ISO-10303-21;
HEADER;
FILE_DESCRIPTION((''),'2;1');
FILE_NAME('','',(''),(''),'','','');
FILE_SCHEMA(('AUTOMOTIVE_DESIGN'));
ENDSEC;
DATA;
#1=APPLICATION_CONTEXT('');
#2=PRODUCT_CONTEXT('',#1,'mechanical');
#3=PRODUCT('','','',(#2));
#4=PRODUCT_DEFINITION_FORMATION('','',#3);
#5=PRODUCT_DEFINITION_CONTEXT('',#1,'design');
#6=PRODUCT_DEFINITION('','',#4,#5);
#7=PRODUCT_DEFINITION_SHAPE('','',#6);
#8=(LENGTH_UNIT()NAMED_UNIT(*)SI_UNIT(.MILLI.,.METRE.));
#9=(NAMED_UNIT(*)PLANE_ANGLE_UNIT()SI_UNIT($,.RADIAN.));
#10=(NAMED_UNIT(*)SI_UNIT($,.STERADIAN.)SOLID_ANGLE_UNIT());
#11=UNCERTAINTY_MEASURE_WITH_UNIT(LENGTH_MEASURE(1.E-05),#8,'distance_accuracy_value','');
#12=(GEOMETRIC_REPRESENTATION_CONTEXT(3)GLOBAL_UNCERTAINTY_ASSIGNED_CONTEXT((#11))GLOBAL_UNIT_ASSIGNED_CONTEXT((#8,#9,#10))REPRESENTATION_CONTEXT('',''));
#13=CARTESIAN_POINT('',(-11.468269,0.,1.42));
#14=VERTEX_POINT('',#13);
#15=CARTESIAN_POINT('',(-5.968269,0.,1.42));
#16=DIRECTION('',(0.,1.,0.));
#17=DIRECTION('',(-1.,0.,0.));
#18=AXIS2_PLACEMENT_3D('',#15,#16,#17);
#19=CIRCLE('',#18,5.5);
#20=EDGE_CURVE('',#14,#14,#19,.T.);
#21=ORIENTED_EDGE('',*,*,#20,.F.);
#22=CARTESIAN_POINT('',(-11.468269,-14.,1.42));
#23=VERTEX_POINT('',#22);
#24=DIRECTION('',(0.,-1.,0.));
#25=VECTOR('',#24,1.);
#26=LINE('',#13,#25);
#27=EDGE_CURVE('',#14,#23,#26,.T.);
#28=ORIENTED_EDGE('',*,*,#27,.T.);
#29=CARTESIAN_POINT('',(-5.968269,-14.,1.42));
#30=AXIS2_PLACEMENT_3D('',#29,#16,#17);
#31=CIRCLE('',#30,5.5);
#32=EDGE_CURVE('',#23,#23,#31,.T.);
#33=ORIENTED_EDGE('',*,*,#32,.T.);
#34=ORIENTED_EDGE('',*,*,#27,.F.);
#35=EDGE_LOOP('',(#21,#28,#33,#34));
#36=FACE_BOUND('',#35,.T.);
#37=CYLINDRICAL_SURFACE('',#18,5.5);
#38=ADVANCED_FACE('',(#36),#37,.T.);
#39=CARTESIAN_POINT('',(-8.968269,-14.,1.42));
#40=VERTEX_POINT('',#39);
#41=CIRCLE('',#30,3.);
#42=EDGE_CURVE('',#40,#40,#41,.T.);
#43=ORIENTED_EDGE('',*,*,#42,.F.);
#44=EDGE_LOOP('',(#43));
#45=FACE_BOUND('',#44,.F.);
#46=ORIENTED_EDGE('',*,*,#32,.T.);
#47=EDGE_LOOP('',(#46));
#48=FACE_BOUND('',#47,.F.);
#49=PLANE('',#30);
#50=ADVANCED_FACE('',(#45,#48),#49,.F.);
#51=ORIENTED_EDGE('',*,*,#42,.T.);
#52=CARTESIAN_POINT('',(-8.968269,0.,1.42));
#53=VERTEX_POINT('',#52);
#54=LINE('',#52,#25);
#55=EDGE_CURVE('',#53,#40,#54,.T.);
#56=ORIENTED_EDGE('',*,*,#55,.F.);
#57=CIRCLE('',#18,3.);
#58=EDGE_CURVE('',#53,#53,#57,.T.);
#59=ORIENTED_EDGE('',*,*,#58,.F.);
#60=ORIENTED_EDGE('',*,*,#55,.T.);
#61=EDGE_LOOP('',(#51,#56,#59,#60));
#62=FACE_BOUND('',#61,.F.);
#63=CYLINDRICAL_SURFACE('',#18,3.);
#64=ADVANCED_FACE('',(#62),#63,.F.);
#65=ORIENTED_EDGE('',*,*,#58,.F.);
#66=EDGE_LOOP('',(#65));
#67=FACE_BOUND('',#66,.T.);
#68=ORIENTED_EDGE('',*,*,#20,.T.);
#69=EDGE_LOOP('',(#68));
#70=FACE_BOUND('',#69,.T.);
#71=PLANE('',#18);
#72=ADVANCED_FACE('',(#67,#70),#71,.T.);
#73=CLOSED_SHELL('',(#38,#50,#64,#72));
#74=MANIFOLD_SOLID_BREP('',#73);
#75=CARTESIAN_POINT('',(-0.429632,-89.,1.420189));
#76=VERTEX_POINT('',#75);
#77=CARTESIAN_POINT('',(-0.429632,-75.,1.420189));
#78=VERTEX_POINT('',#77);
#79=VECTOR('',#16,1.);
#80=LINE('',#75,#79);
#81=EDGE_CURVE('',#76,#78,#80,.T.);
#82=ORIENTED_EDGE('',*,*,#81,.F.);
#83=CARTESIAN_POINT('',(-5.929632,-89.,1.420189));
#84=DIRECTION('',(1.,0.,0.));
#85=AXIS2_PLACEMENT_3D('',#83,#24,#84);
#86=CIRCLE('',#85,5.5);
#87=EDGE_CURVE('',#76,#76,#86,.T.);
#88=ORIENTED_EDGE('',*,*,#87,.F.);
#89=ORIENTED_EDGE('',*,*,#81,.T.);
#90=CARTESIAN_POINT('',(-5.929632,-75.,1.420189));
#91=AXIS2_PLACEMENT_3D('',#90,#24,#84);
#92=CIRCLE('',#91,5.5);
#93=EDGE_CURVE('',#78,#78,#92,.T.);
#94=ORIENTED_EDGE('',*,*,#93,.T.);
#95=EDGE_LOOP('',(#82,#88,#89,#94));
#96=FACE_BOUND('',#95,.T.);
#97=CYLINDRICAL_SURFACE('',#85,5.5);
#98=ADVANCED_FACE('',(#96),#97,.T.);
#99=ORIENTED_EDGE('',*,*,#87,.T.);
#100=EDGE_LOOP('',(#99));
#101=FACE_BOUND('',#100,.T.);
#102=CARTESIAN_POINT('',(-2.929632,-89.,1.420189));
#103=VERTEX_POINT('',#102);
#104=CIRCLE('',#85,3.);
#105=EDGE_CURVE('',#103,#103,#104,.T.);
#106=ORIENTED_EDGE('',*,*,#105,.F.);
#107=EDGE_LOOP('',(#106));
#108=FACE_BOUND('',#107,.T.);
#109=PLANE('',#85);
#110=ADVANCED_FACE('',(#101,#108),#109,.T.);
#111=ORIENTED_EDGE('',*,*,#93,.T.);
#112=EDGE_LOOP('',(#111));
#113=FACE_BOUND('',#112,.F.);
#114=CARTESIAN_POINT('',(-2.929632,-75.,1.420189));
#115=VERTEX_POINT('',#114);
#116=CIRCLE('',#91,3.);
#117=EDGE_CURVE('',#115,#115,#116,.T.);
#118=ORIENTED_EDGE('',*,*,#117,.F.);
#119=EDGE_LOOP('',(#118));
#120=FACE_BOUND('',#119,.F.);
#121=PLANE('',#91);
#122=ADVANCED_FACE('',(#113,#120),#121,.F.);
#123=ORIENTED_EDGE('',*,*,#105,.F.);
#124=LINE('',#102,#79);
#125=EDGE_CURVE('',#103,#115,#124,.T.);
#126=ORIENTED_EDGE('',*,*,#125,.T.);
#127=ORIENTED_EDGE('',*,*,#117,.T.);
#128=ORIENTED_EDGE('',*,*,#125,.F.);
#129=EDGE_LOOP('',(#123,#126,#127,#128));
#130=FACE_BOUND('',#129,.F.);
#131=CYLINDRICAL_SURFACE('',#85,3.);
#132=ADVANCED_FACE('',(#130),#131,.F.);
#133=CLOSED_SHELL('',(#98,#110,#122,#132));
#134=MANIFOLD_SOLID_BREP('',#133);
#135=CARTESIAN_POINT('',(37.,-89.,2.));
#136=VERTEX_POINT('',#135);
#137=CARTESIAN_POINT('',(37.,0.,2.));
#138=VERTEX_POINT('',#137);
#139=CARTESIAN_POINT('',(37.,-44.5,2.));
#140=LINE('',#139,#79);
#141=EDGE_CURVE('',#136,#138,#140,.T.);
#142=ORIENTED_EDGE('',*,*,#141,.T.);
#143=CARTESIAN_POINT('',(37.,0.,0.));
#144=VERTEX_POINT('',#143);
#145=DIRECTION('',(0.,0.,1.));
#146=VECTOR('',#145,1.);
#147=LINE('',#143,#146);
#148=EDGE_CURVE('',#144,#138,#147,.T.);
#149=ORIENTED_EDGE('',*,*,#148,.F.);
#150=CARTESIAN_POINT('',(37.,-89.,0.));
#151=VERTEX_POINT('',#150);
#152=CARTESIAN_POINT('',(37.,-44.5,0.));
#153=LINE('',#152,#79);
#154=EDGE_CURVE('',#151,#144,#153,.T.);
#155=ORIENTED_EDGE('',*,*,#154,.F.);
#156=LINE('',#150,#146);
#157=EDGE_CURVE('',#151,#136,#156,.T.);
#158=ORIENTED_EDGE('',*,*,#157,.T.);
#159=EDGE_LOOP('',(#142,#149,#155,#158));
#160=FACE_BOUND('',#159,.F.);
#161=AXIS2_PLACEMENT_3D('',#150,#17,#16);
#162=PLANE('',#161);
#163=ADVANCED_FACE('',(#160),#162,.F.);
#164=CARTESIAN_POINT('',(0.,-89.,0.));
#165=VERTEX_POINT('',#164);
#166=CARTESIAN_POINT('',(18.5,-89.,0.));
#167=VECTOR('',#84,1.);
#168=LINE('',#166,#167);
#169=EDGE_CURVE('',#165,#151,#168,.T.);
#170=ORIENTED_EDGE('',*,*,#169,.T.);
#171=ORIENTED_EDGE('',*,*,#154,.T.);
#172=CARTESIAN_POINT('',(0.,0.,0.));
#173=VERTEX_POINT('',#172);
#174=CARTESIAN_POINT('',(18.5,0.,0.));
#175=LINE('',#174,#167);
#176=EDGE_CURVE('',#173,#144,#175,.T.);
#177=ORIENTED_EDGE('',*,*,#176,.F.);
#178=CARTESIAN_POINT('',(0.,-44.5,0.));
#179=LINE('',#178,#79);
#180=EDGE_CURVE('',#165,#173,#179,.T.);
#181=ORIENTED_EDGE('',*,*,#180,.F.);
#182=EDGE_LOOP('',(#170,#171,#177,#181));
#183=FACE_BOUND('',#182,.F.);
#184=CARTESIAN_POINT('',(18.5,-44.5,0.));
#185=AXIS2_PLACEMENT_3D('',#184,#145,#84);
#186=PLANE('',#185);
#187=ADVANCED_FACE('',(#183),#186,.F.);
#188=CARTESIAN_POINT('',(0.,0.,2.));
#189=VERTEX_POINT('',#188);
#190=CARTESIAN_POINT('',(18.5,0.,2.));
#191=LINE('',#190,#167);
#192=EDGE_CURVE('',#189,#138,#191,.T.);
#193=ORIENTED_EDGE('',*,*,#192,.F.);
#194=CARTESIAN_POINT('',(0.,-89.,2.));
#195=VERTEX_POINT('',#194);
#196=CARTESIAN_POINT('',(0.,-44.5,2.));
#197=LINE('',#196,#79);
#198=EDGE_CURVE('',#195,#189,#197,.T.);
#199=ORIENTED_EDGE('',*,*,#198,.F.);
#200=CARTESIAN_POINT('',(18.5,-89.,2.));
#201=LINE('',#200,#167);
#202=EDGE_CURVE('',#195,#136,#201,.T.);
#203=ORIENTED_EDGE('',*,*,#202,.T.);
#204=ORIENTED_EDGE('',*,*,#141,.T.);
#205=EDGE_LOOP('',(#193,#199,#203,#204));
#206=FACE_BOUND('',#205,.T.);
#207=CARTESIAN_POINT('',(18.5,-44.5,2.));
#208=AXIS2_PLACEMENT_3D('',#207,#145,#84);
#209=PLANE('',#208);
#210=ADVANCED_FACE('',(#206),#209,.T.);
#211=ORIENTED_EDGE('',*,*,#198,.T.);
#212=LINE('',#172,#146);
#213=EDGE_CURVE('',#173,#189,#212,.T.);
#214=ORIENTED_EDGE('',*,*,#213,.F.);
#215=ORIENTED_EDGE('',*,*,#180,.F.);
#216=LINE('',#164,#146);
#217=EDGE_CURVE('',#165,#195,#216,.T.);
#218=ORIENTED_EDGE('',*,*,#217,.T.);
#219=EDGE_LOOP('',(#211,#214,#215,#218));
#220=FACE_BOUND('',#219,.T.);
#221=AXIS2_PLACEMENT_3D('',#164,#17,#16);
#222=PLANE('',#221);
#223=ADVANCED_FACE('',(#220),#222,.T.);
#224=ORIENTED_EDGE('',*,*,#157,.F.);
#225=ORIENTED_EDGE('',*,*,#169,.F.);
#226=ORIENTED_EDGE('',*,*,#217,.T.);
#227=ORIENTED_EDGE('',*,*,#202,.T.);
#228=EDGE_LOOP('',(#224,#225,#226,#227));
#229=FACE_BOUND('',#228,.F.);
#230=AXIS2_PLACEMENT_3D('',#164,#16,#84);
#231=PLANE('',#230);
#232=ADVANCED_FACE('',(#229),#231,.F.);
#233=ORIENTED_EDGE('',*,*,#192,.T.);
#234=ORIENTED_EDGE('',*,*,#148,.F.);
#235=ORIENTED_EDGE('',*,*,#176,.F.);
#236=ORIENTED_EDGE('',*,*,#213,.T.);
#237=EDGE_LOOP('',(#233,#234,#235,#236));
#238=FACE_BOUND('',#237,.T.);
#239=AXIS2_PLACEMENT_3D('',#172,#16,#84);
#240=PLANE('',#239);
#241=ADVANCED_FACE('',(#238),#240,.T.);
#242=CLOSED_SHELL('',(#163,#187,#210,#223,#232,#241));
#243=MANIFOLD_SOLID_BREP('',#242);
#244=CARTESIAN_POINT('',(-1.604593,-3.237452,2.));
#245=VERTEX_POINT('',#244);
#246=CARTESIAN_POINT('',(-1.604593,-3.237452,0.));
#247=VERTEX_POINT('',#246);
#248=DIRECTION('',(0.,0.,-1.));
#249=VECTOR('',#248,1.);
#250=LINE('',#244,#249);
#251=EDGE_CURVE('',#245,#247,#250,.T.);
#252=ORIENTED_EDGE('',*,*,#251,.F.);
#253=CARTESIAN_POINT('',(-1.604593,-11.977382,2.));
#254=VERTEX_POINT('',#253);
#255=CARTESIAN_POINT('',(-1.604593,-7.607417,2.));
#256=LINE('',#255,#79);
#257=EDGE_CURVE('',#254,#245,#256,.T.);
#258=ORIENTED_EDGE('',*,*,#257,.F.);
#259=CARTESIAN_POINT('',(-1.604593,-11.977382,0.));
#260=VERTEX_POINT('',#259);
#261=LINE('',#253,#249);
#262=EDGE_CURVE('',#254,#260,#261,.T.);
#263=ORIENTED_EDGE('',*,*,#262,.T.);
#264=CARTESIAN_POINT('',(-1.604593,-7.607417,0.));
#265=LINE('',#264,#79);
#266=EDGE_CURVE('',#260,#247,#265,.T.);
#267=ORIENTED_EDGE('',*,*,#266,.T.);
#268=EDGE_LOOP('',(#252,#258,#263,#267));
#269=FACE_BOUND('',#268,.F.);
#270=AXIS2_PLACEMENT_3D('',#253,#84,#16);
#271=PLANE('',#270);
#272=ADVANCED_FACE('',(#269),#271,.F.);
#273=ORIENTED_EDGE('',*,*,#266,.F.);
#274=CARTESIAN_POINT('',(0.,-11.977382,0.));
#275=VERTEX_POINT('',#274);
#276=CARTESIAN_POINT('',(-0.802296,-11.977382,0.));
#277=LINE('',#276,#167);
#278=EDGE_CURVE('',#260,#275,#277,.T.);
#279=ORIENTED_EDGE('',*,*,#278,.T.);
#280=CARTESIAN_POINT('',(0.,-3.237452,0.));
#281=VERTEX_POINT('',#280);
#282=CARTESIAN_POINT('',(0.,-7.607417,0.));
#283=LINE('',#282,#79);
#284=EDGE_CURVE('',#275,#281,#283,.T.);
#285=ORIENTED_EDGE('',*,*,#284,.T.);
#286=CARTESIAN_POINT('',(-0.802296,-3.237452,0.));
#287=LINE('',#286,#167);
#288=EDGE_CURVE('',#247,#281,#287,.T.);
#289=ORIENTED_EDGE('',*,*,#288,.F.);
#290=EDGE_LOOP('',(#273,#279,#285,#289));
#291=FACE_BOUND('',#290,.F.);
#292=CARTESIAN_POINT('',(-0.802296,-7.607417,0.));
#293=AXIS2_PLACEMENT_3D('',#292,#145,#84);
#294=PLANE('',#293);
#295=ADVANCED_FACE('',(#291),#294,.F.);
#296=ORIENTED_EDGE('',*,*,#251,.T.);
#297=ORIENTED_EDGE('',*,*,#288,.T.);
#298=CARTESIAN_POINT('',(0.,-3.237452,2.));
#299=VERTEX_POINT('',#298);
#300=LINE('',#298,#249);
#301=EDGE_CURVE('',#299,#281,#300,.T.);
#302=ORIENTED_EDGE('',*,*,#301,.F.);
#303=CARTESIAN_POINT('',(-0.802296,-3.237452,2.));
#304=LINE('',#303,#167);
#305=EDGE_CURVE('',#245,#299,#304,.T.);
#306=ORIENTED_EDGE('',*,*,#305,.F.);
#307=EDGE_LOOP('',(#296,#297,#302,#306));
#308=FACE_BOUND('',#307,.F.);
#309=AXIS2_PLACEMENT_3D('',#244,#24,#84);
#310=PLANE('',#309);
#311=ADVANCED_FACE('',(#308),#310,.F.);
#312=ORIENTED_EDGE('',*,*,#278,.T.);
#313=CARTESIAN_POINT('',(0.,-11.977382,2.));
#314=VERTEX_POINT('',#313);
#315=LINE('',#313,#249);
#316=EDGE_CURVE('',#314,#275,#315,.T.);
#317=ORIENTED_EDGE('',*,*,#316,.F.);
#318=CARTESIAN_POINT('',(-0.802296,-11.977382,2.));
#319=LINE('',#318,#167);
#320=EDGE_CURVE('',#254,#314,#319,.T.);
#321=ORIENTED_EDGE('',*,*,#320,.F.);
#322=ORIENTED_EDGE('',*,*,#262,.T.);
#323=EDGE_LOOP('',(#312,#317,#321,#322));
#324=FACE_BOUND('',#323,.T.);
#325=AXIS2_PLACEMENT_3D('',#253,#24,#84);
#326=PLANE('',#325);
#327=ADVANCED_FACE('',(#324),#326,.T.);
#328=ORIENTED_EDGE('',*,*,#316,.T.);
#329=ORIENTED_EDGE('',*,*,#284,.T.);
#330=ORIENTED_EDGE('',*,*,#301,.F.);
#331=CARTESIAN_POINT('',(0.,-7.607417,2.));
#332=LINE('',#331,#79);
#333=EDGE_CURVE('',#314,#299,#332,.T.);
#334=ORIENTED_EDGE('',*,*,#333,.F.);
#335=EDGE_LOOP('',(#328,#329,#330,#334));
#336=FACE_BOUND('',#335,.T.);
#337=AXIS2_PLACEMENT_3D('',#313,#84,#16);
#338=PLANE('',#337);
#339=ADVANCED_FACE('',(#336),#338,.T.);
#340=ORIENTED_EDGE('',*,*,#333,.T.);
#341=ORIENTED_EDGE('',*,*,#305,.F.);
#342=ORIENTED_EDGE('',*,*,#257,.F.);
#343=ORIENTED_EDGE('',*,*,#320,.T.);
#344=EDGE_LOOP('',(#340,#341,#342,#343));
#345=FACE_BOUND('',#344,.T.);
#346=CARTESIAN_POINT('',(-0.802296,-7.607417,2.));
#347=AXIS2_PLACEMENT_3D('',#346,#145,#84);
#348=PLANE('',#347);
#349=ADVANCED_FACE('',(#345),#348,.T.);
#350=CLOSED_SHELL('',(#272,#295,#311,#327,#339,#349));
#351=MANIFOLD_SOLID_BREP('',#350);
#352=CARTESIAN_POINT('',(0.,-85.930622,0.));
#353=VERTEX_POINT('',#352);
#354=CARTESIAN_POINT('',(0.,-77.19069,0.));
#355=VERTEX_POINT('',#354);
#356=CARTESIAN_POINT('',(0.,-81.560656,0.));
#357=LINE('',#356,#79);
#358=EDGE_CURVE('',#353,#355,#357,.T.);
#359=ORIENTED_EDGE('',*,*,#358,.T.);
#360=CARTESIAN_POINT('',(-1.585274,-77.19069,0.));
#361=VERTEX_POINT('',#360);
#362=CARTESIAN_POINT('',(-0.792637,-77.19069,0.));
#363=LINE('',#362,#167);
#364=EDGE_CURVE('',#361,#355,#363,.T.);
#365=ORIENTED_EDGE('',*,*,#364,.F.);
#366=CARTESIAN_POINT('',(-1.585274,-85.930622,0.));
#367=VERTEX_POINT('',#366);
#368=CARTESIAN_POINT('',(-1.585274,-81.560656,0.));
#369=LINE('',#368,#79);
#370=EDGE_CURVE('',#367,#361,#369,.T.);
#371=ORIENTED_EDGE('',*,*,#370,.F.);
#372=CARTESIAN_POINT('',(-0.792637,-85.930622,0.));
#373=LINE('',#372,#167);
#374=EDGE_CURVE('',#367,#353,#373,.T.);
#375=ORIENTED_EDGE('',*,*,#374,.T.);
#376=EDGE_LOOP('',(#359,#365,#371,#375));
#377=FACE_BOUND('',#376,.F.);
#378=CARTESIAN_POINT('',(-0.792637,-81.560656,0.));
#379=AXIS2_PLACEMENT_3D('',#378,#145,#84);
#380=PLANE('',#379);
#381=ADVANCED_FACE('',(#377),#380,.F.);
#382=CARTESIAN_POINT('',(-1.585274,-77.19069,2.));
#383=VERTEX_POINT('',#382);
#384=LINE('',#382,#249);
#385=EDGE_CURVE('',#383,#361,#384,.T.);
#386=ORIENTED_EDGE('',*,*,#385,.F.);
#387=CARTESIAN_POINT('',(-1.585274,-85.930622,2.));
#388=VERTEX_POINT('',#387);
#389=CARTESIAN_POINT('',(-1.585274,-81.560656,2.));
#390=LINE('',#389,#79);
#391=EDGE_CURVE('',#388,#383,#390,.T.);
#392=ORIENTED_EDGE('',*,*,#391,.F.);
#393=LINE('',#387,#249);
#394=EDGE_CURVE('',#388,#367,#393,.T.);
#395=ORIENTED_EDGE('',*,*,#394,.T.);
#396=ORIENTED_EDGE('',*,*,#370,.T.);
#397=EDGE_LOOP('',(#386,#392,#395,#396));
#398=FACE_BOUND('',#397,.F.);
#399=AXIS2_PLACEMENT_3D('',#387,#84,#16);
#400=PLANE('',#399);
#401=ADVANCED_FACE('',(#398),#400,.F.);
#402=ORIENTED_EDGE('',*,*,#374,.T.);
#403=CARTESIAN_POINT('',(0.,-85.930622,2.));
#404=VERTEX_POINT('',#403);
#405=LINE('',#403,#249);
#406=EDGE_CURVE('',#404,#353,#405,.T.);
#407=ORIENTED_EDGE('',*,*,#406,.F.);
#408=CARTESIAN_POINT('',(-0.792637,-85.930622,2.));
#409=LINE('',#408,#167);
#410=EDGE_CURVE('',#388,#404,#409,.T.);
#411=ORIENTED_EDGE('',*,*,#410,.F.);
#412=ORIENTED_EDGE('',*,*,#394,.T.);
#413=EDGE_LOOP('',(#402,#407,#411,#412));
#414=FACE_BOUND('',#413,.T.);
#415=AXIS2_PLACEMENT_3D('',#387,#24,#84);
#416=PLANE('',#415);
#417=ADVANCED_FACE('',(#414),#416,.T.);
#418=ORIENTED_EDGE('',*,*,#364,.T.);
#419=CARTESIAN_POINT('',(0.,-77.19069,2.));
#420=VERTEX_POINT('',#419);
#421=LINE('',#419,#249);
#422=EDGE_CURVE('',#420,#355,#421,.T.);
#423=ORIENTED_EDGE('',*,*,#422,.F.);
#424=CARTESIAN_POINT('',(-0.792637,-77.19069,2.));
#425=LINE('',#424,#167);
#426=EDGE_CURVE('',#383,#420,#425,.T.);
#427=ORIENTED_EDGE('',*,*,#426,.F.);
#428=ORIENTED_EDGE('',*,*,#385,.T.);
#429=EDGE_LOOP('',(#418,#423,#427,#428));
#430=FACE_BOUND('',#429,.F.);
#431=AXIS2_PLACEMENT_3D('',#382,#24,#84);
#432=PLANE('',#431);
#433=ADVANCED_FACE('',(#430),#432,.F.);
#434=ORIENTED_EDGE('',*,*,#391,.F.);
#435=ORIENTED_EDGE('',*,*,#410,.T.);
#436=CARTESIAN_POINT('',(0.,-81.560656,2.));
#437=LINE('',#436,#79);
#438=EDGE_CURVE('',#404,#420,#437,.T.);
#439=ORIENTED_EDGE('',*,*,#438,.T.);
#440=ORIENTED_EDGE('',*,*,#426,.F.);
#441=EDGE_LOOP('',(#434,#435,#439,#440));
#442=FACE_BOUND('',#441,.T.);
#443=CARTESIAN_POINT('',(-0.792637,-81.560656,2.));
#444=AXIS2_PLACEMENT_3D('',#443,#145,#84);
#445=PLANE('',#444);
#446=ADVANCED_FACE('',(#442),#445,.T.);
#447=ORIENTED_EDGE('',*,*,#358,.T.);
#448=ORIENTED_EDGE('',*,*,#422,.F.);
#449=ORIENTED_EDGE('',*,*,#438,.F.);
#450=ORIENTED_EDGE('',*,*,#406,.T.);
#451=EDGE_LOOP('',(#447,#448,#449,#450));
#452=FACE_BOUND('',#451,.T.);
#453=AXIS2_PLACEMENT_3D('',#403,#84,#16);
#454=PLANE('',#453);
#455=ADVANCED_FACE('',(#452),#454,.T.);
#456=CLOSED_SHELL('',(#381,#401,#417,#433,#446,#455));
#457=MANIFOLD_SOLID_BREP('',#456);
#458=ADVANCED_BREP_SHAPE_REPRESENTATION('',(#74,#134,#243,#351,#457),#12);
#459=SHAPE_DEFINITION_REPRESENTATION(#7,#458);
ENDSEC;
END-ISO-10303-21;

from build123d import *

# Parameters (mm, degrees)
F0_W     = 37
F0_H     = 89
F1_DEPTH = 2
F2_R     = 5.5
F2_R_2   = 3
F3_DEPTH = 14
F4_W     = 1.585274
F4_H     = 8.739933
F5_DEPTH = 2
F6_R     = 5.5
F6_R_2   = 3
F7_DEPTH = 14
F8_W     = 1.604593
F8_H     = 8.73993
F9_DEPTH = 2


with BuildPart() as f1:
    # F0 (on Top) → F1 (new body)
    with BuildSketch(Plane.XY):
        with Locations((18.5, -44.5)):
            Rectangle(F0_W, F0_H)
    extrude(amount=F1_DEPTH)


with BuildPart() as f3:
    # F2 (on face) → F3 (new body)
    with BuildSketch(Plane.XZ.offset(89)):
        with Locations((-5.929632, 1.420189)):
            Circle(F2_R)
        with Locations((-5.929632, 1.420189)):
            Circle(F2_R_2, mode=Mode.SUBTRACT)
    extrude(amount=-F3_DEPTH)


with BuildPart() as f5:
    # F4 (on face) → F5 (new body)
    with BuildSketch(Plane.XY.offset(2)):
        with Locations((-0.792637, -81.560656)):
            Rectangle(F4_W, F4_H)
    extrude(amount=-F5_DEPTH)


with BuildPart() as f7:
    # F6 (on face) → F7 (new body)
    with BuildSketch(Plane(origin=(0, 0, 0), x_dir=(-1, 0, 0), z_dir=(0, 1, 0))):
        with Locations((5.968269, 1.42)):
            Circle(F6_R)
        with Locations((5.968269, 1.42)):
            Circle(F6_R_2, mode=Mode.SUBTRACT)
    extrude(amount=-F7_DEPTH)


with BuildPart() as f9:
    # F8 (on face) → F9 (new body)
    with BuildSketch(Plane.XY.offset(2)):
        with Locations((-0.802296, -7.607417)):
            Rectangle(F8_W, F8_H)
    extrude(amount=-F9_DEPTH)


solid = Compound([f1.part, f3.part, f5.part, f7.part, f9.part])
